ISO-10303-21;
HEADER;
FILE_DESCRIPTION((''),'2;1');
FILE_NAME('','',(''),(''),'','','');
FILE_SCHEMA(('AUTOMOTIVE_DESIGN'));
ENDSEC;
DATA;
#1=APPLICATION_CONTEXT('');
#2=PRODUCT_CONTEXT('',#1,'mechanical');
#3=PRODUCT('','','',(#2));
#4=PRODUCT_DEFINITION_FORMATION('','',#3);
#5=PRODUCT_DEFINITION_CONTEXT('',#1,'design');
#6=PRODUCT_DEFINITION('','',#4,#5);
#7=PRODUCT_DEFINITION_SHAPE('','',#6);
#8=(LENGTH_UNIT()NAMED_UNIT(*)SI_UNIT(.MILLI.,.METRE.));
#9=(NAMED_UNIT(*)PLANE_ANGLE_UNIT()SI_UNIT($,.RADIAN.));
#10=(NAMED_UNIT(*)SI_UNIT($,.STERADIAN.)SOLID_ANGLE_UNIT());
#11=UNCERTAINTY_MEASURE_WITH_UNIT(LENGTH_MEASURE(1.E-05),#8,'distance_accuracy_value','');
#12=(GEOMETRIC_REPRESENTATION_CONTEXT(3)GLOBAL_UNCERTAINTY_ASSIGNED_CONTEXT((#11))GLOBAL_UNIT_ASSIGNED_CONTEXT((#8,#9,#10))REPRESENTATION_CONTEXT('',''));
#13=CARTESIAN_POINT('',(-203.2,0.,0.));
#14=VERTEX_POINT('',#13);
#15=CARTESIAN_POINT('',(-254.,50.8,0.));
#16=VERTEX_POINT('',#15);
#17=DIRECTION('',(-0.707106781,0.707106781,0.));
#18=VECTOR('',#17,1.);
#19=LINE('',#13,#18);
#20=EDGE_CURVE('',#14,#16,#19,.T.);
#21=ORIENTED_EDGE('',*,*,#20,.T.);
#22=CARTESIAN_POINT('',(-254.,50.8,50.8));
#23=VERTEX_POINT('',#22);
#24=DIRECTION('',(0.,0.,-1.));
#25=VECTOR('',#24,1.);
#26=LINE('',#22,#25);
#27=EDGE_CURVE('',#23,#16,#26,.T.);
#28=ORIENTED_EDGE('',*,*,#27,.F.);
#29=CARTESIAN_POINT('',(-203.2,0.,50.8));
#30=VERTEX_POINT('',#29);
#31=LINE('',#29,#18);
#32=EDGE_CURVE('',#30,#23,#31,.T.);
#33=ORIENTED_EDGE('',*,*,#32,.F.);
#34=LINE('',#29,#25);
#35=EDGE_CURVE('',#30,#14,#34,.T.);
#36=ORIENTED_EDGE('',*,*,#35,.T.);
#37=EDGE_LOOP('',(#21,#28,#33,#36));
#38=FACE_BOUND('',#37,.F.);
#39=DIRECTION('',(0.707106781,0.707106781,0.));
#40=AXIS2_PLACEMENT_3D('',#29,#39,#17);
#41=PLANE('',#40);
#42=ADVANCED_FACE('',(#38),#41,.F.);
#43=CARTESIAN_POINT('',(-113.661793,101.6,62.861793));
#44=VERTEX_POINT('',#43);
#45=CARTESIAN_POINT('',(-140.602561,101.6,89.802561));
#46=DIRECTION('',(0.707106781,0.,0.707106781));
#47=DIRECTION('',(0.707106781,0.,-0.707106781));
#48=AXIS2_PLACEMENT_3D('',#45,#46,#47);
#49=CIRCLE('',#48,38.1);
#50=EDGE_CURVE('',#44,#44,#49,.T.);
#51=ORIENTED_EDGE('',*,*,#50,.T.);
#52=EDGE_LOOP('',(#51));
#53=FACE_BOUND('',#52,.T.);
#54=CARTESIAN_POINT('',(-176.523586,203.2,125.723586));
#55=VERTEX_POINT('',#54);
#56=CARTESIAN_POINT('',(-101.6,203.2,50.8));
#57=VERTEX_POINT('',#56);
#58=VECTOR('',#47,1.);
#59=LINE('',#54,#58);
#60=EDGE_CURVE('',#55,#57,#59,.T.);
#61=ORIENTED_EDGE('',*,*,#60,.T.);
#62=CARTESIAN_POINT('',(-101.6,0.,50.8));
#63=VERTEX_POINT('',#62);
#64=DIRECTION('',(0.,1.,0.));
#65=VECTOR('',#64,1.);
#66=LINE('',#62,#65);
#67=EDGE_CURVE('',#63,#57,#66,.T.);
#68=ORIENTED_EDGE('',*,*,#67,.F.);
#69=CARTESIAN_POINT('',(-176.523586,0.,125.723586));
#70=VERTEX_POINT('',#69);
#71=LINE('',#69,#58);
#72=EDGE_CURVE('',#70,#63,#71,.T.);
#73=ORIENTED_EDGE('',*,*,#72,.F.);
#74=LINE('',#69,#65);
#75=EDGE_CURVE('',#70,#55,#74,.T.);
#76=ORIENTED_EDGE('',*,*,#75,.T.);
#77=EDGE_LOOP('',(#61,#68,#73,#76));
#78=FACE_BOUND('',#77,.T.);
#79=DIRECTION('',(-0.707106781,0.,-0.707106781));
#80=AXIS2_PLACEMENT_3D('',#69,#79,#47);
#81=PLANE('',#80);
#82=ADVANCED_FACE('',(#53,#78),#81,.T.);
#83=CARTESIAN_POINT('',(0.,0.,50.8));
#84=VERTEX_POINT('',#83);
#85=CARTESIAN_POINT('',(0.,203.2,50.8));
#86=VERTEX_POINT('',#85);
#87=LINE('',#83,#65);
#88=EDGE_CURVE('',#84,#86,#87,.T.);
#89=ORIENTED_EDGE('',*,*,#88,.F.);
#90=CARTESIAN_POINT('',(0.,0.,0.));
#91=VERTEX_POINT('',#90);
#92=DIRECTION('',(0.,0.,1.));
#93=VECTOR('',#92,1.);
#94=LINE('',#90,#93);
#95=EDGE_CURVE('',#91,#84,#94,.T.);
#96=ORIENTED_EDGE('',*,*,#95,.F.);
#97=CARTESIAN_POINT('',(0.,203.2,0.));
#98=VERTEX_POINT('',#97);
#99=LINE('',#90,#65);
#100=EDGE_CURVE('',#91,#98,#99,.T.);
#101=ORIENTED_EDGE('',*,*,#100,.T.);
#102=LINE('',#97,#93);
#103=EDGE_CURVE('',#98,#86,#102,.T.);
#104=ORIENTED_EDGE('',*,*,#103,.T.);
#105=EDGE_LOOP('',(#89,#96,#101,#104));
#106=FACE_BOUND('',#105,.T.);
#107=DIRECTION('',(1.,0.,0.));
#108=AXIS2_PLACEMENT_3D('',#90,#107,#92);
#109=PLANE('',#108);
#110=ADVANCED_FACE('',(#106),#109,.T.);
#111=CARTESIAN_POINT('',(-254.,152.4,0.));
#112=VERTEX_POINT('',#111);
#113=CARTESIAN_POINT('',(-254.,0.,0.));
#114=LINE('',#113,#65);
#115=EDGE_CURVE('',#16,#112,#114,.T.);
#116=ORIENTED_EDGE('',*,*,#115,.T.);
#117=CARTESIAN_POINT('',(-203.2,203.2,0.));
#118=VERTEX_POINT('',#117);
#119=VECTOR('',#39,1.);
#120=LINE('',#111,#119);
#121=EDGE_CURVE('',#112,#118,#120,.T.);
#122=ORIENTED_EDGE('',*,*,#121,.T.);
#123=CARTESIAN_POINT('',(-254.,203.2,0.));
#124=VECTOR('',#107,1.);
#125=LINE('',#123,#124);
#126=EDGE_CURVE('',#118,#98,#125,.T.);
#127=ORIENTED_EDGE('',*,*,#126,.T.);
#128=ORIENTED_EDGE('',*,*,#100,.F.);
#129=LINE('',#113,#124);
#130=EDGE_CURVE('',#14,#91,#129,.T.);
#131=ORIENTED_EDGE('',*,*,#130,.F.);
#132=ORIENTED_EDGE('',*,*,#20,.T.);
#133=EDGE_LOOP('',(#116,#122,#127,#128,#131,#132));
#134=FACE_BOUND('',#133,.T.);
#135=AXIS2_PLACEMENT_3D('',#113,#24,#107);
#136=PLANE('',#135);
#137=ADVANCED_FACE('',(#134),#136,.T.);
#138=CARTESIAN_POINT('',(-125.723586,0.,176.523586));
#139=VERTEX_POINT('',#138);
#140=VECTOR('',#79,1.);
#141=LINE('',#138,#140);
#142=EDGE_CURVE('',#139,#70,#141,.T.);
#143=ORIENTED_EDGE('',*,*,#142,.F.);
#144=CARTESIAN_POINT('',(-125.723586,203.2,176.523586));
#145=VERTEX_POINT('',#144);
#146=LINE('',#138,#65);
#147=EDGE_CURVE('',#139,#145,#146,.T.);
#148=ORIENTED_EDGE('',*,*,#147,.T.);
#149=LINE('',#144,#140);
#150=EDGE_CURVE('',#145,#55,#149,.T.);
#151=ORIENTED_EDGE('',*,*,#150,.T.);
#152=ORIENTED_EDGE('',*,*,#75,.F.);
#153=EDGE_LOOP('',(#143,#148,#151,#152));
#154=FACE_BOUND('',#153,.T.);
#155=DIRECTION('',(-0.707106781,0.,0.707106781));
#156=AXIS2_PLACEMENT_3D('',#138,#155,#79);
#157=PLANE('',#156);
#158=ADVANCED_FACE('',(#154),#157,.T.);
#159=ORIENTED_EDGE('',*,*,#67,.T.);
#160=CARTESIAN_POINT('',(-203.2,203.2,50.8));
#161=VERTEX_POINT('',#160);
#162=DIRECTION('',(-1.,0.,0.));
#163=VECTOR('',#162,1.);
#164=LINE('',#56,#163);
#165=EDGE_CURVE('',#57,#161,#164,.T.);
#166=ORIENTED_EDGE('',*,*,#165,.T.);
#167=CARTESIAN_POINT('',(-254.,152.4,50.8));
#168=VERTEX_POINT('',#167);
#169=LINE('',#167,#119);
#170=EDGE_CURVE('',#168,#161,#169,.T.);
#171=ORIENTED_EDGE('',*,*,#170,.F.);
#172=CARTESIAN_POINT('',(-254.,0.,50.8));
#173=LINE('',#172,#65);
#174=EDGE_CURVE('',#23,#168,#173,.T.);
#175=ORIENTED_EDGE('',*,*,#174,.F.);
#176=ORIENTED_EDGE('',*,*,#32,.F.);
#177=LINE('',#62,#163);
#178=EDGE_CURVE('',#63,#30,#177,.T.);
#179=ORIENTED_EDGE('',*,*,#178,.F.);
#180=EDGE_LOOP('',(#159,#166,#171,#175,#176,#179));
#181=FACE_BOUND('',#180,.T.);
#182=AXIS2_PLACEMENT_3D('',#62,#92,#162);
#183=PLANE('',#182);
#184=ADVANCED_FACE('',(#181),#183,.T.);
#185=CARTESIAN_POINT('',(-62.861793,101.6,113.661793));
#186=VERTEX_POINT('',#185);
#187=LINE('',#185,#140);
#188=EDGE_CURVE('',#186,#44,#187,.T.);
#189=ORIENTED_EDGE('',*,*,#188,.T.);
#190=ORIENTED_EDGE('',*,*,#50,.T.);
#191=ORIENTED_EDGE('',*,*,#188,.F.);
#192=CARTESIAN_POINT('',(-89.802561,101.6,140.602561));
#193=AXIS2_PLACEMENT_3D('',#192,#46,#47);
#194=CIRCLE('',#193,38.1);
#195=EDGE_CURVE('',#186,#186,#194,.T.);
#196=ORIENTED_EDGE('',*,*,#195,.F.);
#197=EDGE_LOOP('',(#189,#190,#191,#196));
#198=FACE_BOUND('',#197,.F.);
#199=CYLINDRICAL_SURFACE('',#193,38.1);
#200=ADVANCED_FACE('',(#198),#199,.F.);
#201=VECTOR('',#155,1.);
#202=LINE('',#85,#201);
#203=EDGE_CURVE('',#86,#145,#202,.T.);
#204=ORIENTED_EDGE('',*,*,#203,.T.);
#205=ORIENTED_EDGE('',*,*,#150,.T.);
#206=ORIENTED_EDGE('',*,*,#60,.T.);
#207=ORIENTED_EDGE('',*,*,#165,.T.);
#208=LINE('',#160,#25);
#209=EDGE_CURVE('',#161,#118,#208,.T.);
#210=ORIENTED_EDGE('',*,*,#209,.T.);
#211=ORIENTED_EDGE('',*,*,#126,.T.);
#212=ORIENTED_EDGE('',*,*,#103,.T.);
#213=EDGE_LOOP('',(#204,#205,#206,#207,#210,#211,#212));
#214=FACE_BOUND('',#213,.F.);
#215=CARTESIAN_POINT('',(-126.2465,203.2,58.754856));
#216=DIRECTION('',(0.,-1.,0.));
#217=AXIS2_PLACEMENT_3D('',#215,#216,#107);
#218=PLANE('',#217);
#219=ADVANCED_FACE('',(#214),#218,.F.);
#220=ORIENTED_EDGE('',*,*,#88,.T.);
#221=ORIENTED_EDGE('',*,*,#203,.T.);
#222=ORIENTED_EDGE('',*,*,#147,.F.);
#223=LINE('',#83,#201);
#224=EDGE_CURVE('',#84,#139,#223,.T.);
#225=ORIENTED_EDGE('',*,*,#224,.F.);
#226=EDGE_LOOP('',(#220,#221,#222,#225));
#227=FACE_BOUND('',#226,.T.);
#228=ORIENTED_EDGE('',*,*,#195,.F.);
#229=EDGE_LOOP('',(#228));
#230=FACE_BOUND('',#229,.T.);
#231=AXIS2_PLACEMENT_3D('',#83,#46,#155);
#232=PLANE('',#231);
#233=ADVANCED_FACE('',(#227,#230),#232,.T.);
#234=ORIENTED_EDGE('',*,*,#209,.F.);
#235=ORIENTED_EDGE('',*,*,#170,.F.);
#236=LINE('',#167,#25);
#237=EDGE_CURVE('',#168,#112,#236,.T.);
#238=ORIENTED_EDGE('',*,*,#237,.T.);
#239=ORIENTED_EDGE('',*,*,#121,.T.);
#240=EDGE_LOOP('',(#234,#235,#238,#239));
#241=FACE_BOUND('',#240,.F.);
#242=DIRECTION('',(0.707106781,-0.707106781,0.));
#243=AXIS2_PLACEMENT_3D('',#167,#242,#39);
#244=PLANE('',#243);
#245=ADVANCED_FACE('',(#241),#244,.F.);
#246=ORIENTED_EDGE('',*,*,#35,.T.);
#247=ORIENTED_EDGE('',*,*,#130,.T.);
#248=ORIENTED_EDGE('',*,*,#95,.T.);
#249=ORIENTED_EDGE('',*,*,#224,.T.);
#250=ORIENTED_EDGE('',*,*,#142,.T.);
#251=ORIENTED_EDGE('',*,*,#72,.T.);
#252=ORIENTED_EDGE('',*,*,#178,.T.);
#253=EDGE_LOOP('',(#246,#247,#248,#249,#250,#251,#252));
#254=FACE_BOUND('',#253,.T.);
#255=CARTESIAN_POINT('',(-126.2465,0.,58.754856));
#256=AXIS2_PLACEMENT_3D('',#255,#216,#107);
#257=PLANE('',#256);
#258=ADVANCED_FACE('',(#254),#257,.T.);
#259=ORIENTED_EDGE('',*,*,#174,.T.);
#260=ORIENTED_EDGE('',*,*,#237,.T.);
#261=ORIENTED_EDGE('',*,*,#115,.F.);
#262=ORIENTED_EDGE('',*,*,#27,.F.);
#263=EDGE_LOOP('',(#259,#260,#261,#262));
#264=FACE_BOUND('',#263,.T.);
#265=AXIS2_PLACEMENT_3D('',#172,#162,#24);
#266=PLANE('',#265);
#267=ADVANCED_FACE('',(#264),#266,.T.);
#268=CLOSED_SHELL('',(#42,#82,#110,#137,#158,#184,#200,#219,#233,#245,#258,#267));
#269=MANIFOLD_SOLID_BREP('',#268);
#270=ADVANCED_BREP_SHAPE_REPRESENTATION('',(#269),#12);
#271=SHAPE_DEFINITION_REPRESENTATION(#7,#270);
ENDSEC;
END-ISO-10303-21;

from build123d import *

# Parameters (mm, degrees)
F1_DEPTH = 203.2
F2_R     = 38.1
F3_DEPTH = 76.2
F5_DEPTH = 50.8


with BuildPart() as f1:
    # F0 (on Front) → F1 (new body)
    with BuildSketch(Plane.XZ):
        Polygon((-254, 0), (0, 0), (0, 50.8), (-125.723586, 176.523586), (-176.523586, 125.723586), (-101.6, 50.8), (-254, 50.8), align=None)
    extrude(amount=-F1_DEPTH)

    # F2 (on face) → F3 (cut)
    with BuildSketch(Plane(origin=(25.4, 0, 25.4), x_dir=(0.707107, 0, -0.707107), z_dir=(0.707107, 0, 0.707107))):
        with Locations((-162.921024, 101.6)):
            Circle(F2_R)
    extrude(amount=-F3_DEPTH, mode=Mode.SUBTRACT)

    # F4 (on face) → F5 (cut)
    with BuildSketch(Plane.XY.offset(50.8)):
        Polygon((-254, 203.2), (-254, 152.4), (-203.2, 203.2), align=None)
        Polygon((-254, 50.8), (-254, 0), (-203.2, 0), align=None)
    extrude(amount=-F5_DEPTH, mode=Mode.SUBTRACT)


solid = f1.part
